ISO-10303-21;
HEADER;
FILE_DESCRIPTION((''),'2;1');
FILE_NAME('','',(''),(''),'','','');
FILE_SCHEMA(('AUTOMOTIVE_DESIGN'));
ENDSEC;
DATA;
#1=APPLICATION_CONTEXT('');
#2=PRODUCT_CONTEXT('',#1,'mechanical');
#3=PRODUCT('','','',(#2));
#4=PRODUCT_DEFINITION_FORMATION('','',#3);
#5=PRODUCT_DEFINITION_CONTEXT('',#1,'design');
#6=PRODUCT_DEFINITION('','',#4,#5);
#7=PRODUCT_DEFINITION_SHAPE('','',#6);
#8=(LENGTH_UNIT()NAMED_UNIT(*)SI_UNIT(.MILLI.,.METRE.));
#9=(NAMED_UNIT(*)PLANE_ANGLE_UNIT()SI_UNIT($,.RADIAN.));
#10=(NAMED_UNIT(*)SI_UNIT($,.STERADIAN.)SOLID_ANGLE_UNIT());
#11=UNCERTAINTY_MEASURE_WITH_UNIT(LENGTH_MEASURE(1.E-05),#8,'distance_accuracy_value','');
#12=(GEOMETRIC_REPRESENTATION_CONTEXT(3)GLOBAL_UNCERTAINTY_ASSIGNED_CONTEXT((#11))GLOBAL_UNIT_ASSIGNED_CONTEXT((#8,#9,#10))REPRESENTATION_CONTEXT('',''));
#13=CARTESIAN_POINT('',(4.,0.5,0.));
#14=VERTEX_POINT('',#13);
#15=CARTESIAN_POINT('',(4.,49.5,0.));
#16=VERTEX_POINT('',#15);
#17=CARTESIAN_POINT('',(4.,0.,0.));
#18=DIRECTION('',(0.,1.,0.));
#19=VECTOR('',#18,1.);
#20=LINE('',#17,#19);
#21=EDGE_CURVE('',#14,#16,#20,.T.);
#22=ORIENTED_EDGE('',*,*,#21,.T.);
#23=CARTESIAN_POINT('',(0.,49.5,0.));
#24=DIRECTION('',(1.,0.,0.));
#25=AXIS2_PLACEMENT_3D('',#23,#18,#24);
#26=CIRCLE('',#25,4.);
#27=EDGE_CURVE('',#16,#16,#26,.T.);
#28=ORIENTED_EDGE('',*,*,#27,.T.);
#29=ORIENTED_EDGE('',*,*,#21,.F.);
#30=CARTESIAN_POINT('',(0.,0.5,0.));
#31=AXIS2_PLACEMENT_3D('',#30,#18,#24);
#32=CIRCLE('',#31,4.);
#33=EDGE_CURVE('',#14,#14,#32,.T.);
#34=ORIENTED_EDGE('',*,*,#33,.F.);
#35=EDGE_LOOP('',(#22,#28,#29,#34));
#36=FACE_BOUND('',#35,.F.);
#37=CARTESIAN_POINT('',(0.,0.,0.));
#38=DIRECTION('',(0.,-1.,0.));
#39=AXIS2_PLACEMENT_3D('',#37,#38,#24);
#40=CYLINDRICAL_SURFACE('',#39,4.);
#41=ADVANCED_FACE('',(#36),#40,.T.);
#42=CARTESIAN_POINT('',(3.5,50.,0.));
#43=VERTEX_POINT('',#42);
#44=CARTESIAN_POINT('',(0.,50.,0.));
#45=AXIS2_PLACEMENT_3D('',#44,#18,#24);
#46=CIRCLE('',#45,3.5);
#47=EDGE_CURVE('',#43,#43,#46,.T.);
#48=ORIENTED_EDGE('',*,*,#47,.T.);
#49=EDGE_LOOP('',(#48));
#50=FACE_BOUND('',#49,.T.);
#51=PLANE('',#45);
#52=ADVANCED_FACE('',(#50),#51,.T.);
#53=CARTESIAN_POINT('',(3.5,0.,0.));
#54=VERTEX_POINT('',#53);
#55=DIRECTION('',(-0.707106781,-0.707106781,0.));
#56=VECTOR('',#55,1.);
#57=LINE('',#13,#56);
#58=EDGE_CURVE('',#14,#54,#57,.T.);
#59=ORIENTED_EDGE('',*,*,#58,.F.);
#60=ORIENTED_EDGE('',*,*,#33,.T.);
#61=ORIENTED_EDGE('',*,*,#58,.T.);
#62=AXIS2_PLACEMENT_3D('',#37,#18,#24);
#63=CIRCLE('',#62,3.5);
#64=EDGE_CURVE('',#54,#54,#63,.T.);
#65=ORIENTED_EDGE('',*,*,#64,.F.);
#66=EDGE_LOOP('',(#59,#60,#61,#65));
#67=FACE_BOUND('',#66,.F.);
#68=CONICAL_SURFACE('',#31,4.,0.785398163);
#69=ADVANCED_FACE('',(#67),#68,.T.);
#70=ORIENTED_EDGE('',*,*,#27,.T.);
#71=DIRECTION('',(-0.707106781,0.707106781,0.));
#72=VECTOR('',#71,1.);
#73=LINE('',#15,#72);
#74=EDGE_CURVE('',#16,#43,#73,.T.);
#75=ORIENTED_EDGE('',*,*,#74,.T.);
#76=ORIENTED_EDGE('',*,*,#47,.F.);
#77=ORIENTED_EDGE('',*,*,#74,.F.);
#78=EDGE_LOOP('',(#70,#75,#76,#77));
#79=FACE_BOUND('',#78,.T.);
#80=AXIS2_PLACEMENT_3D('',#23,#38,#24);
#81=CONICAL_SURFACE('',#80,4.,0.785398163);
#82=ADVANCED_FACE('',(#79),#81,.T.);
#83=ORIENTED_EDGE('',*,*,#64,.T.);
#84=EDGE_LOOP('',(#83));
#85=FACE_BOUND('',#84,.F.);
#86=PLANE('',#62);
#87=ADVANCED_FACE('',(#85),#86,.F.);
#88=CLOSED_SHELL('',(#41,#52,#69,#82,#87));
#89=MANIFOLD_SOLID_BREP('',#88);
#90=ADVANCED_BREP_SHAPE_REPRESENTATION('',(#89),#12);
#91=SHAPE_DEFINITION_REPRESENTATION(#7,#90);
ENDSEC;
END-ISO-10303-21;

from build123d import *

# Parameters (mm, degrees)
SKETCH2_R           = 4
BOSS_EXTRUDE1_DEPTH = 50
CHAMFER1_SIZE       = 0.5


with BuildPart() as part:
    # Sketch2 → Boss-Extrude1 (new body)
    with BuildSketch(Plane(origin=(0, 0, 0), x_dir=(1, 0, 0), z_dir=(0, 1, 0))):
        Circle(SKETCH2_R)
    extrude(amount=BOSS_EXTRUDE1_DEPTH)

    # Chamfer1
    chamfer1_edges = [part.edges().sort_by_distance(p)[0] for p in [
        (-4, 0, 0),
        (-4, 50, 0),
    ]]
    chamfer(chamfer1_edges, length=CHAMFER1_SIZE)


solid = part.part
